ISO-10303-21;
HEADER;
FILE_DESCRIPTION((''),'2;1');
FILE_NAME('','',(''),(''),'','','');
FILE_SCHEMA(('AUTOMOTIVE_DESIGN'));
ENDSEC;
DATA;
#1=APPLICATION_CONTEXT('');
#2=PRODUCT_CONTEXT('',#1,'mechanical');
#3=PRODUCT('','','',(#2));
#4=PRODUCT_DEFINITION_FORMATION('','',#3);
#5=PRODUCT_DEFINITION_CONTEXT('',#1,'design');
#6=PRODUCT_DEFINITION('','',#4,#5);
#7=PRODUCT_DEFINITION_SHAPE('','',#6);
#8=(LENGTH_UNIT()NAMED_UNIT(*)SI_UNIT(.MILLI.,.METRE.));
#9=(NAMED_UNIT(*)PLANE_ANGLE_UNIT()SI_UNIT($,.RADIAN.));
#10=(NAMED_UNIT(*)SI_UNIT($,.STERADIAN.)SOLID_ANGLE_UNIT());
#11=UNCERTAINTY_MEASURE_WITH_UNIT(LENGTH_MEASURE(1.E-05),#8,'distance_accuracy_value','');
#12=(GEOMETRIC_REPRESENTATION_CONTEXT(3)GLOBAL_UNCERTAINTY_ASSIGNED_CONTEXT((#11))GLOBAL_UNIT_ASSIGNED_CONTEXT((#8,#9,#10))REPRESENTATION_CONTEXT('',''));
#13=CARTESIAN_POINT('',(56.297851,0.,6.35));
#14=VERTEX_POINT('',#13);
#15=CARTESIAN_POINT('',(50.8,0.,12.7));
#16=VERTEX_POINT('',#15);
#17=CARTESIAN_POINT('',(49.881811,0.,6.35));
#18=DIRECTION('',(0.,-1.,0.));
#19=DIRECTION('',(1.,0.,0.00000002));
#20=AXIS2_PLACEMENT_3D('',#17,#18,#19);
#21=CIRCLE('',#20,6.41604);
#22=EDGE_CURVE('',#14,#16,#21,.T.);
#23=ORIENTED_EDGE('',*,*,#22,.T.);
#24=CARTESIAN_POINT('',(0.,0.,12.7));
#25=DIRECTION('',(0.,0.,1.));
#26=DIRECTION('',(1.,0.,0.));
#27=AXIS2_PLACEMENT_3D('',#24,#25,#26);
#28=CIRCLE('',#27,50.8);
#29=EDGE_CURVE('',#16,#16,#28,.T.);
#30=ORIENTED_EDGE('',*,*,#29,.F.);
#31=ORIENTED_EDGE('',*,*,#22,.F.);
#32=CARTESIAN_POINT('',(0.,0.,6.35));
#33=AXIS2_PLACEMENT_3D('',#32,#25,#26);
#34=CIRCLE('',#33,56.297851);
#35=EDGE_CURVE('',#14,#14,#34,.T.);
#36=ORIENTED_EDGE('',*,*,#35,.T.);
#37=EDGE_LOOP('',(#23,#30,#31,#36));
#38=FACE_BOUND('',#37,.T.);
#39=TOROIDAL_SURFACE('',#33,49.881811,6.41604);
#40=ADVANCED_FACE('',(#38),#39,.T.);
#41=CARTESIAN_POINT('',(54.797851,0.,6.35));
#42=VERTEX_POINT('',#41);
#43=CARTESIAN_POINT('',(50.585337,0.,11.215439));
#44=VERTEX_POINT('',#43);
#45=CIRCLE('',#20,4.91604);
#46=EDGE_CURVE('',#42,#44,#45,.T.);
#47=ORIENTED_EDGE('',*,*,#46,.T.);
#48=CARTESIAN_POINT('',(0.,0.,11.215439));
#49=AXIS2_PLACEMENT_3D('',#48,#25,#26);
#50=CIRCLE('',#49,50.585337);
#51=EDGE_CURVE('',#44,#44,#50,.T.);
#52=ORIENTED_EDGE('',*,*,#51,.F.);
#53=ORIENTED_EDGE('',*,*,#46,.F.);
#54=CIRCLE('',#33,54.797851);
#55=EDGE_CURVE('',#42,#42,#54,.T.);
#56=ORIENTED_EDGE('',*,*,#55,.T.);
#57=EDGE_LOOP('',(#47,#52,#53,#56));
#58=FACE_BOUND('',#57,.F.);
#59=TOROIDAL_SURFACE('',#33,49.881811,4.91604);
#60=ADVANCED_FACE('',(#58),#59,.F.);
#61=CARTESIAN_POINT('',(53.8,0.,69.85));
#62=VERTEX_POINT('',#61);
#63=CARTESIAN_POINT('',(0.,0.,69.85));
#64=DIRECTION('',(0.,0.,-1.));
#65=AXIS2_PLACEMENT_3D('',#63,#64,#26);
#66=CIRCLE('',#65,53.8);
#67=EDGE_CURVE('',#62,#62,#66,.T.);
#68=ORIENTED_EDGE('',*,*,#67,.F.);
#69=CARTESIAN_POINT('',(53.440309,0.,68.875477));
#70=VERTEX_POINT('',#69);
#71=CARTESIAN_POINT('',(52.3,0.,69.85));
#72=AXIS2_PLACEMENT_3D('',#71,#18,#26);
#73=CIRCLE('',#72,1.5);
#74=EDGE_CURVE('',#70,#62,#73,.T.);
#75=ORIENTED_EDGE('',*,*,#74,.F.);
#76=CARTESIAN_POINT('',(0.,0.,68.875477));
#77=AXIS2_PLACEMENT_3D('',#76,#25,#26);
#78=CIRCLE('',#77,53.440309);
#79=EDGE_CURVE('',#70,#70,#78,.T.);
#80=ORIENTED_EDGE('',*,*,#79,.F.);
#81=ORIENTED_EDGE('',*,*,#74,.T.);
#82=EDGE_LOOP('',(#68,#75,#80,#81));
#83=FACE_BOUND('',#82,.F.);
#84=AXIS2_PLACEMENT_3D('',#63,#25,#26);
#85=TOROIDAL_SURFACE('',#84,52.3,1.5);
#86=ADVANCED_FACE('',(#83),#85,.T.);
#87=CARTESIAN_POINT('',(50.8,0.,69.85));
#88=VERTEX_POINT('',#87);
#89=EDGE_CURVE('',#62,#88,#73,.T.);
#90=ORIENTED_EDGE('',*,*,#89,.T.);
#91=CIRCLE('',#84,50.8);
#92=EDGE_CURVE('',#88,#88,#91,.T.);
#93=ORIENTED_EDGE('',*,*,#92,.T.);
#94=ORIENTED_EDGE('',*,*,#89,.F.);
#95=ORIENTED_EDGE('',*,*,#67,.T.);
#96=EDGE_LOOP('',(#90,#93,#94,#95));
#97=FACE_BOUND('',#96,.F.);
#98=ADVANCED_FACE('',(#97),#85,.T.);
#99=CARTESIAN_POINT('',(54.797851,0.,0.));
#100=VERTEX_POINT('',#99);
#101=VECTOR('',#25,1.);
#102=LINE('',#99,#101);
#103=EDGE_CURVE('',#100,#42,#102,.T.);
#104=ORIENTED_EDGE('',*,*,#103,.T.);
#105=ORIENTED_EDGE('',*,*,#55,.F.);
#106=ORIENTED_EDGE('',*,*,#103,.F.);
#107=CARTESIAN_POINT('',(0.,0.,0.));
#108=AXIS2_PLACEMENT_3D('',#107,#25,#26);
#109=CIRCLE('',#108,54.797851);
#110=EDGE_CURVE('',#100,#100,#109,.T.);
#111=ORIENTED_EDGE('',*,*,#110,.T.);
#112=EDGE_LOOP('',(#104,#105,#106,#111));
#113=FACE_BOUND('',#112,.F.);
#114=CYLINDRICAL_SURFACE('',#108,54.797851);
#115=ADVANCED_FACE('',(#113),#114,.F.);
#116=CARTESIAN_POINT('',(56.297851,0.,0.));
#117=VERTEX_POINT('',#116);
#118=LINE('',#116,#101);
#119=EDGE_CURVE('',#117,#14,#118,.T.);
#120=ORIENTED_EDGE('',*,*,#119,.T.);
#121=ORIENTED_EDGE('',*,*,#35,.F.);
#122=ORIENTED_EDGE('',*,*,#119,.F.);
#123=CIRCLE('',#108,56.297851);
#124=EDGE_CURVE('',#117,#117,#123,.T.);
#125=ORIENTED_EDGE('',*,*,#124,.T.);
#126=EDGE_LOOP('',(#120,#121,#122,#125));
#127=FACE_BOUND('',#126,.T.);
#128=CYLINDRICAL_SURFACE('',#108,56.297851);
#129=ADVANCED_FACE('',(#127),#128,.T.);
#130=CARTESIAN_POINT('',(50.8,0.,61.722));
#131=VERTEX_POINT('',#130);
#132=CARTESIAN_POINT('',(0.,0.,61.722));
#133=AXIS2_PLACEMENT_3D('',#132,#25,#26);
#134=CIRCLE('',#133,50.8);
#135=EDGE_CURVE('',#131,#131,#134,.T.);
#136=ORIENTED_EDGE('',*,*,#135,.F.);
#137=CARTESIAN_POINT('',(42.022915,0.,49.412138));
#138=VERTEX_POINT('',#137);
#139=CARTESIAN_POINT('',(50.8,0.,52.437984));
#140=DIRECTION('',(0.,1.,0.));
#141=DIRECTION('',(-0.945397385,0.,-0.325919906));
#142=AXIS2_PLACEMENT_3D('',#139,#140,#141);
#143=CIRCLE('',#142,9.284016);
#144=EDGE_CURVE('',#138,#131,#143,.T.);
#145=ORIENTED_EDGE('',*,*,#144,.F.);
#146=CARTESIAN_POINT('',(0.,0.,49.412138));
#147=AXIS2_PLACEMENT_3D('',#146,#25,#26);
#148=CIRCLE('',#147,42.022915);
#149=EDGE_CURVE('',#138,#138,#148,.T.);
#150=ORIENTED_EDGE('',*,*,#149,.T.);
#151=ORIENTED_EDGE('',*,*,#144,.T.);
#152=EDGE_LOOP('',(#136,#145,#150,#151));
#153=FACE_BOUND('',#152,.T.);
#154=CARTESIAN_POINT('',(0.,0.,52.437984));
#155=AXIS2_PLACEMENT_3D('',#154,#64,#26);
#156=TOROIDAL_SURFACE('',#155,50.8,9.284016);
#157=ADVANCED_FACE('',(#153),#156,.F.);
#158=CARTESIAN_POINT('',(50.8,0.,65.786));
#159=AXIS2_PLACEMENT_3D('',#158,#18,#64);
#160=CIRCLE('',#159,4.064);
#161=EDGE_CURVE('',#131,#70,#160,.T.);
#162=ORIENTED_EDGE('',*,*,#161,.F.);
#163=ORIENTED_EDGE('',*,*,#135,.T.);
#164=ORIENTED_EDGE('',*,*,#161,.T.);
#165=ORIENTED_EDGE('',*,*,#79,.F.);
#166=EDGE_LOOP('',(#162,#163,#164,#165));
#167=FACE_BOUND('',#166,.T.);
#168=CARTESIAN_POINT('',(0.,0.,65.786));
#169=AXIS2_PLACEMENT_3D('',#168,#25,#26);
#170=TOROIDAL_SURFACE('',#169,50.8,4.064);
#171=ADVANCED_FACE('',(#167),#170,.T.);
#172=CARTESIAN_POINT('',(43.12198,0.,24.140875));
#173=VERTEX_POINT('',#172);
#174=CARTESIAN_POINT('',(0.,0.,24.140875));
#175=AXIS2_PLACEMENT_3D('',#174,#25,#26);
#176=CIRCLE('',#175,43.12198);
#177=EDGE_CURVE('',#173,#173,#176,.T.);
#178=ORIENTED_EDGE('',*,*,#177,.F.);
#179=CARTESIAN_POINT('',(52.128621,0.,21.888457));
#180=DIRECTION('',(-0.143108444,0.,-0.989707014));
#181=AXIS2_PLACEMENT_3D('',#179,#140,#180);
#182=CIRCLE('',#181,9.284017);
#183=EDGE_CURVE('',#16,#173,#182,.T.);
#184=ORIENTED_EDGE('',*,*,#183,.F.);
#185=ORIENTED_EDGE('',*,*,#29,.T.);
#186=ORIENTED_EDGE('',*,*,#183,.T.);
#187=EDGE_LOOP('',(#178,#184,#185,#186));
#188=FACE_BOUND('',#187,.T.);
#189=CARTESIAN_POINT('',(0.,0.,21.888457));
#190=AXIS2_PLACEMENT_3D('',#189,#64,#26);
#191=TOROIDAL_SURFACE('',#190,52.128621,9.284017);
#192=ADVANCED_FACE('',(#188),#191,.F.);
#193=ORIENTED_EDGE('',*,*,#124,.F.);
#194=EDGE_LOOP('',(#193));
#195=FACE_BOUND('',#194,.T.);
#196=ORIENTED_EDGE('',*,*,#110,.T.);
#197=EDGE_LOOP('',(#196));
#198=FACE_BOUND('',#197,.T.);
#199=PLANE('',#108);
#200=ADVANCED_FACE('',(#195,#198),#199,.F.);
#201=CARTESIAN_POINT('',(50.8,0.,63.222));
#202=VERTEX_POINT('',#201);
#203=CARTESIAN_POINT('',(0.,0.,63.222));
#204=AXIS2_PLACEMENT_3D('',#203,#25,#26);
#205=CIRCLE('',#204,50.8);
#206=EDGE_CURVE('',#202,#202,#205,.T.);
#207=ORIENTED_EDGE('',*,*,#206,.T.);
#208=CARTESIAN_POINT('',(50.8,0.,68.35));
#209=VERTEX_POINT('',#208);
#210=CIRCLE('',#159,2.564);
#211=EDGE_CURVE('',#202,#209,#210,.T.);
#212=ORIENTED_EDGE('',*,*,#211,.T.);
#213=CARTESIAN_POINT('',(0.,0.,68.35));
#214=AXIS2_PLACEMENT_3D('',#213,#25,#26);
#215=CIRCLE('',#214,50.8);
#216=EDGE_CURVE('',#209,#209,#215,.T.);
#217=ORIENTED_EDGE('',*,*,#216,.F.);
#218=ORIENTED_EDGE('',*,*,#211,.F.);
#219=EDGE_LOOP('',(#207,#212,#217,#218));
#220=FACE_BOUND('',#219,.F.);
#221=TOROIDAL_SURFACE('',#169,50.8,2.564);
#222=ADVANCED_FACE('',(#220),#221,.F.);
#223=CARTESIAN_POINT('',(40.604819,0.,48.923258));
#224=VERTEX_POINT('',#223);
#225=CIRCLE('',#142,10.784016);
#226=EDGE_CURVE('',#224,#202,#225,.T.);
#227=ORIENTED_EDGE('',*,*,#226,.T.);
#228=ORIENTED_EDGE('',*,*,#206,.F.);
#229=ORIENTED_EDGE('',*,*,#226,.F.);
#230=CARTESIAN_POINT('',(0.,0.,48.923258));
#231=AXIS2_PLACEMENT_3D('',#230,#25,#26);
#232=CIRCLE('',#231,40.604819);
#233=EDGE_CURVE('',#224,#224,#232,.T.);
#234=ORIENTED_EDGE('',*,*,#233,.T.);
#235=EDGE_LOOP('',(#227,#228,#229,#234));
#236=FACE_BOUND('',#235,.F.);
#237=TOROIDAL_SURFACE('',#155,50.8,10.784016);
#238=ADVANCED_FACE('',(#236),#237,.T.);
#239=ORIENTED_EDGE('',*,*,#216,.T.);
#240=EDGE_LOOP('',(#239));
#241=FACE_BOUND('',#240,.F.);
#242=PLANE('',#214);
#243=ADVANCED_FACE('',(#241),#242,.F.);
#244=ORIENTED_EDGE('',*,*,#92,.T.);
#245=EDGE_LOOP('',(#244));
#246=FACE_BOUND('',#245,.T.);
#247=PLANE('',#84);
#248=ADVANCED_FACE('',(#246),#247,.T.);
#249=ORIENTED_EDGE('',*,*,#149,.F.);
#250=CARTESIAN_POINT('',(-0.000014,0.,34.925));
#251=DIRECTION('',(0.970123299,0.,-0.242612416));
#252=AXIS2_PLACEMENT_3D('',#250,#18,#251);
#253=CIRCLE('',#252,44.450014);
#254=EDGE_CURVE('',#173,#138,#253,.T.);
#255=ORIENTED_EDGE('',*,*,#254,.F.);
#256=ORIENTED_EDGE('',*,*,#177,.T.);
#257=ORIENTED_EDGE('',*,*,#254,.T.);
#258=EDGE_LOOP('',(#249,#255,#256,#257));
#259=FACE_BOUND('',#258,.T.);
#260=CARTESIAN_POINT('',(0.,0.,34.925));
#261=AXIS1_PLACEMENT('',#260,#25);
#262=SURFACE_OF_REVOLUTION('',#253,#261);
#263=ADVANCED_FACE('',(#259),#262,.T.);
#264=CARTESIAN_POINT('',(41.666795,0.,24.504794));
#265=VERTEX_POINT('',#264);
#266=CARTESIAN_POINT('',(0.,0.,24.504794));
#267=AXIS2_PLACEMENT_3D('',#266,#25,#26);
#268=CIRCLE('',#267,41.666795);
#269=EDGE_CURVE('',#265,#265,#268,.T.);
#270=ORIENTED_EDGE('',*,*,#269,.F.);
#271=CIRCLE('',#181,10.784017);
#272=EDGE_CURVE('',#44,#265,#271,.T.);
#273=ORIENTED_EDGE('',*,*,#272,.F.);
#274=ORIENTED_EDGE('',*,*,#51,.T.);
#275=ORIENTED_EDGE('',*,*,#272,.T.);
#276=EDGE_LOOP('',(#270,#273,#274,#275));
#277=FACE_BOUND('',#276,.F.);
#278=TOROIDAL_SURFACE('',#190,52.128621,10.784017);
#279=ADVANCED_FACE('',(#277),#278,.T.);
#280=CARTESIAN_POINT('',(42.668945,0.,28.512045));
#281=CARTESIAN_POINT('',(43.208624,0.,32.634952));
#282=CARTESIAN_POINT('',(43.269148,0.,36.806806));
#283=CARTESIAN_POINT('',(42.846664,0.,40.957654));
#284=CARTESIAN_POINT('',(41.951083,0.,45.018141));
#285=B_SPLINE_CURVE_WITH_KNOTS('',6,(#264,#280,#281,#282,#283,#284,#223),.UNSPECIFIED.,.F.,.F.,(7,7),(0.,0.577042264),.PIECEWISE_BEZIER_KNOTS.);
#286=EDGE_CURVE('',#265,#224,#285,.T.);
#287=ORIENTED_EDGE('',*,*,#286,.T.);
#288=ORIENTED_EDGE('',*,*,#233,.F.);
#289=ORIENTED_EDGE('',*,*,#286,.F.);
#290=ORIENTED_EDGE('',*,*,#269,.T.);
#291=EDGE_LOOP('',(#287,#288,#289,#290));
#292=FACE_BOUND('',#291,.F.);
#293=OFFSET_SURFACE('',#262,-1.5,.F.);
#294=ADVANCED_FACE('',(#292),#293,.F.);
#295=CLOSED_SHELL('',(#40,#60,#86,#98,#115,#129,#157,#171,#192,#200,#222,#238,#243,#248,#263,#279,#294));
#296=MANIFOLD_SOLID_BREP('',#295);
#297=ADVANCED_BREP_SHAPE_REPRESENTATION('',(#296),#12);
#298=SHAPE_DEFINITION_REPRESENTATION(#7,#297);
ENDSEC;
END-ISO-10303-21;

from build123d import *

# Parameters (mm, degrees)
F2_T = -1.5
F3_R = 1.5


with BuildPart() as f1:
    # F0 (on Front) → F1 (revolve)
    with BuildSketch(Plane.XZ):
        with BuildLine():
            Line((0, 69.85), (0, 0))
            Line((0, 0), (56.297851, 0))
            Line((56.297851, 0), (56.297851, 6.35))
            ThreePointArc((56.297851, 6.35), (54.732414, 10.549669), (50.8, 12.7))
            ThreePointArc((50.8, 12.7), (44.419677, 16.714952), (43.12198, 24.140875))
            ThreePointArc((43.12198, 24.140875), (44.408022, 36.856337), (42.022915, 49.412138))
            ThreePointArc((42.022915, 49.412138), (43.240735, 57.827833), (50.8, 61.722))
            ThreePointArc((50.8, 61.722), (54.864, 65.786), (50.8, 69.85))
            Line((50.8, 69.85), (0, 69.85))
        make_face()
    revolve(axis=Axis((0, 0, 34.925), (0, 0, 1)))

    # F2
    f2_openings = [f1.faces().sort_by_distance(p)[0] for p in [
        (0, 0, 0),
    ]]
    offset(amount=F2_T, openings=f2_openings)

    # F3 (on Front) → F4 (revolve)
    with BuildSketch(Plane.XZ):
        with Locations((52.3, 69.85)):
            Circle(F3_R)
    revolve(axis=Axis((0, 0, 34.925), (0, 0, -1)))


solid = f1.part
